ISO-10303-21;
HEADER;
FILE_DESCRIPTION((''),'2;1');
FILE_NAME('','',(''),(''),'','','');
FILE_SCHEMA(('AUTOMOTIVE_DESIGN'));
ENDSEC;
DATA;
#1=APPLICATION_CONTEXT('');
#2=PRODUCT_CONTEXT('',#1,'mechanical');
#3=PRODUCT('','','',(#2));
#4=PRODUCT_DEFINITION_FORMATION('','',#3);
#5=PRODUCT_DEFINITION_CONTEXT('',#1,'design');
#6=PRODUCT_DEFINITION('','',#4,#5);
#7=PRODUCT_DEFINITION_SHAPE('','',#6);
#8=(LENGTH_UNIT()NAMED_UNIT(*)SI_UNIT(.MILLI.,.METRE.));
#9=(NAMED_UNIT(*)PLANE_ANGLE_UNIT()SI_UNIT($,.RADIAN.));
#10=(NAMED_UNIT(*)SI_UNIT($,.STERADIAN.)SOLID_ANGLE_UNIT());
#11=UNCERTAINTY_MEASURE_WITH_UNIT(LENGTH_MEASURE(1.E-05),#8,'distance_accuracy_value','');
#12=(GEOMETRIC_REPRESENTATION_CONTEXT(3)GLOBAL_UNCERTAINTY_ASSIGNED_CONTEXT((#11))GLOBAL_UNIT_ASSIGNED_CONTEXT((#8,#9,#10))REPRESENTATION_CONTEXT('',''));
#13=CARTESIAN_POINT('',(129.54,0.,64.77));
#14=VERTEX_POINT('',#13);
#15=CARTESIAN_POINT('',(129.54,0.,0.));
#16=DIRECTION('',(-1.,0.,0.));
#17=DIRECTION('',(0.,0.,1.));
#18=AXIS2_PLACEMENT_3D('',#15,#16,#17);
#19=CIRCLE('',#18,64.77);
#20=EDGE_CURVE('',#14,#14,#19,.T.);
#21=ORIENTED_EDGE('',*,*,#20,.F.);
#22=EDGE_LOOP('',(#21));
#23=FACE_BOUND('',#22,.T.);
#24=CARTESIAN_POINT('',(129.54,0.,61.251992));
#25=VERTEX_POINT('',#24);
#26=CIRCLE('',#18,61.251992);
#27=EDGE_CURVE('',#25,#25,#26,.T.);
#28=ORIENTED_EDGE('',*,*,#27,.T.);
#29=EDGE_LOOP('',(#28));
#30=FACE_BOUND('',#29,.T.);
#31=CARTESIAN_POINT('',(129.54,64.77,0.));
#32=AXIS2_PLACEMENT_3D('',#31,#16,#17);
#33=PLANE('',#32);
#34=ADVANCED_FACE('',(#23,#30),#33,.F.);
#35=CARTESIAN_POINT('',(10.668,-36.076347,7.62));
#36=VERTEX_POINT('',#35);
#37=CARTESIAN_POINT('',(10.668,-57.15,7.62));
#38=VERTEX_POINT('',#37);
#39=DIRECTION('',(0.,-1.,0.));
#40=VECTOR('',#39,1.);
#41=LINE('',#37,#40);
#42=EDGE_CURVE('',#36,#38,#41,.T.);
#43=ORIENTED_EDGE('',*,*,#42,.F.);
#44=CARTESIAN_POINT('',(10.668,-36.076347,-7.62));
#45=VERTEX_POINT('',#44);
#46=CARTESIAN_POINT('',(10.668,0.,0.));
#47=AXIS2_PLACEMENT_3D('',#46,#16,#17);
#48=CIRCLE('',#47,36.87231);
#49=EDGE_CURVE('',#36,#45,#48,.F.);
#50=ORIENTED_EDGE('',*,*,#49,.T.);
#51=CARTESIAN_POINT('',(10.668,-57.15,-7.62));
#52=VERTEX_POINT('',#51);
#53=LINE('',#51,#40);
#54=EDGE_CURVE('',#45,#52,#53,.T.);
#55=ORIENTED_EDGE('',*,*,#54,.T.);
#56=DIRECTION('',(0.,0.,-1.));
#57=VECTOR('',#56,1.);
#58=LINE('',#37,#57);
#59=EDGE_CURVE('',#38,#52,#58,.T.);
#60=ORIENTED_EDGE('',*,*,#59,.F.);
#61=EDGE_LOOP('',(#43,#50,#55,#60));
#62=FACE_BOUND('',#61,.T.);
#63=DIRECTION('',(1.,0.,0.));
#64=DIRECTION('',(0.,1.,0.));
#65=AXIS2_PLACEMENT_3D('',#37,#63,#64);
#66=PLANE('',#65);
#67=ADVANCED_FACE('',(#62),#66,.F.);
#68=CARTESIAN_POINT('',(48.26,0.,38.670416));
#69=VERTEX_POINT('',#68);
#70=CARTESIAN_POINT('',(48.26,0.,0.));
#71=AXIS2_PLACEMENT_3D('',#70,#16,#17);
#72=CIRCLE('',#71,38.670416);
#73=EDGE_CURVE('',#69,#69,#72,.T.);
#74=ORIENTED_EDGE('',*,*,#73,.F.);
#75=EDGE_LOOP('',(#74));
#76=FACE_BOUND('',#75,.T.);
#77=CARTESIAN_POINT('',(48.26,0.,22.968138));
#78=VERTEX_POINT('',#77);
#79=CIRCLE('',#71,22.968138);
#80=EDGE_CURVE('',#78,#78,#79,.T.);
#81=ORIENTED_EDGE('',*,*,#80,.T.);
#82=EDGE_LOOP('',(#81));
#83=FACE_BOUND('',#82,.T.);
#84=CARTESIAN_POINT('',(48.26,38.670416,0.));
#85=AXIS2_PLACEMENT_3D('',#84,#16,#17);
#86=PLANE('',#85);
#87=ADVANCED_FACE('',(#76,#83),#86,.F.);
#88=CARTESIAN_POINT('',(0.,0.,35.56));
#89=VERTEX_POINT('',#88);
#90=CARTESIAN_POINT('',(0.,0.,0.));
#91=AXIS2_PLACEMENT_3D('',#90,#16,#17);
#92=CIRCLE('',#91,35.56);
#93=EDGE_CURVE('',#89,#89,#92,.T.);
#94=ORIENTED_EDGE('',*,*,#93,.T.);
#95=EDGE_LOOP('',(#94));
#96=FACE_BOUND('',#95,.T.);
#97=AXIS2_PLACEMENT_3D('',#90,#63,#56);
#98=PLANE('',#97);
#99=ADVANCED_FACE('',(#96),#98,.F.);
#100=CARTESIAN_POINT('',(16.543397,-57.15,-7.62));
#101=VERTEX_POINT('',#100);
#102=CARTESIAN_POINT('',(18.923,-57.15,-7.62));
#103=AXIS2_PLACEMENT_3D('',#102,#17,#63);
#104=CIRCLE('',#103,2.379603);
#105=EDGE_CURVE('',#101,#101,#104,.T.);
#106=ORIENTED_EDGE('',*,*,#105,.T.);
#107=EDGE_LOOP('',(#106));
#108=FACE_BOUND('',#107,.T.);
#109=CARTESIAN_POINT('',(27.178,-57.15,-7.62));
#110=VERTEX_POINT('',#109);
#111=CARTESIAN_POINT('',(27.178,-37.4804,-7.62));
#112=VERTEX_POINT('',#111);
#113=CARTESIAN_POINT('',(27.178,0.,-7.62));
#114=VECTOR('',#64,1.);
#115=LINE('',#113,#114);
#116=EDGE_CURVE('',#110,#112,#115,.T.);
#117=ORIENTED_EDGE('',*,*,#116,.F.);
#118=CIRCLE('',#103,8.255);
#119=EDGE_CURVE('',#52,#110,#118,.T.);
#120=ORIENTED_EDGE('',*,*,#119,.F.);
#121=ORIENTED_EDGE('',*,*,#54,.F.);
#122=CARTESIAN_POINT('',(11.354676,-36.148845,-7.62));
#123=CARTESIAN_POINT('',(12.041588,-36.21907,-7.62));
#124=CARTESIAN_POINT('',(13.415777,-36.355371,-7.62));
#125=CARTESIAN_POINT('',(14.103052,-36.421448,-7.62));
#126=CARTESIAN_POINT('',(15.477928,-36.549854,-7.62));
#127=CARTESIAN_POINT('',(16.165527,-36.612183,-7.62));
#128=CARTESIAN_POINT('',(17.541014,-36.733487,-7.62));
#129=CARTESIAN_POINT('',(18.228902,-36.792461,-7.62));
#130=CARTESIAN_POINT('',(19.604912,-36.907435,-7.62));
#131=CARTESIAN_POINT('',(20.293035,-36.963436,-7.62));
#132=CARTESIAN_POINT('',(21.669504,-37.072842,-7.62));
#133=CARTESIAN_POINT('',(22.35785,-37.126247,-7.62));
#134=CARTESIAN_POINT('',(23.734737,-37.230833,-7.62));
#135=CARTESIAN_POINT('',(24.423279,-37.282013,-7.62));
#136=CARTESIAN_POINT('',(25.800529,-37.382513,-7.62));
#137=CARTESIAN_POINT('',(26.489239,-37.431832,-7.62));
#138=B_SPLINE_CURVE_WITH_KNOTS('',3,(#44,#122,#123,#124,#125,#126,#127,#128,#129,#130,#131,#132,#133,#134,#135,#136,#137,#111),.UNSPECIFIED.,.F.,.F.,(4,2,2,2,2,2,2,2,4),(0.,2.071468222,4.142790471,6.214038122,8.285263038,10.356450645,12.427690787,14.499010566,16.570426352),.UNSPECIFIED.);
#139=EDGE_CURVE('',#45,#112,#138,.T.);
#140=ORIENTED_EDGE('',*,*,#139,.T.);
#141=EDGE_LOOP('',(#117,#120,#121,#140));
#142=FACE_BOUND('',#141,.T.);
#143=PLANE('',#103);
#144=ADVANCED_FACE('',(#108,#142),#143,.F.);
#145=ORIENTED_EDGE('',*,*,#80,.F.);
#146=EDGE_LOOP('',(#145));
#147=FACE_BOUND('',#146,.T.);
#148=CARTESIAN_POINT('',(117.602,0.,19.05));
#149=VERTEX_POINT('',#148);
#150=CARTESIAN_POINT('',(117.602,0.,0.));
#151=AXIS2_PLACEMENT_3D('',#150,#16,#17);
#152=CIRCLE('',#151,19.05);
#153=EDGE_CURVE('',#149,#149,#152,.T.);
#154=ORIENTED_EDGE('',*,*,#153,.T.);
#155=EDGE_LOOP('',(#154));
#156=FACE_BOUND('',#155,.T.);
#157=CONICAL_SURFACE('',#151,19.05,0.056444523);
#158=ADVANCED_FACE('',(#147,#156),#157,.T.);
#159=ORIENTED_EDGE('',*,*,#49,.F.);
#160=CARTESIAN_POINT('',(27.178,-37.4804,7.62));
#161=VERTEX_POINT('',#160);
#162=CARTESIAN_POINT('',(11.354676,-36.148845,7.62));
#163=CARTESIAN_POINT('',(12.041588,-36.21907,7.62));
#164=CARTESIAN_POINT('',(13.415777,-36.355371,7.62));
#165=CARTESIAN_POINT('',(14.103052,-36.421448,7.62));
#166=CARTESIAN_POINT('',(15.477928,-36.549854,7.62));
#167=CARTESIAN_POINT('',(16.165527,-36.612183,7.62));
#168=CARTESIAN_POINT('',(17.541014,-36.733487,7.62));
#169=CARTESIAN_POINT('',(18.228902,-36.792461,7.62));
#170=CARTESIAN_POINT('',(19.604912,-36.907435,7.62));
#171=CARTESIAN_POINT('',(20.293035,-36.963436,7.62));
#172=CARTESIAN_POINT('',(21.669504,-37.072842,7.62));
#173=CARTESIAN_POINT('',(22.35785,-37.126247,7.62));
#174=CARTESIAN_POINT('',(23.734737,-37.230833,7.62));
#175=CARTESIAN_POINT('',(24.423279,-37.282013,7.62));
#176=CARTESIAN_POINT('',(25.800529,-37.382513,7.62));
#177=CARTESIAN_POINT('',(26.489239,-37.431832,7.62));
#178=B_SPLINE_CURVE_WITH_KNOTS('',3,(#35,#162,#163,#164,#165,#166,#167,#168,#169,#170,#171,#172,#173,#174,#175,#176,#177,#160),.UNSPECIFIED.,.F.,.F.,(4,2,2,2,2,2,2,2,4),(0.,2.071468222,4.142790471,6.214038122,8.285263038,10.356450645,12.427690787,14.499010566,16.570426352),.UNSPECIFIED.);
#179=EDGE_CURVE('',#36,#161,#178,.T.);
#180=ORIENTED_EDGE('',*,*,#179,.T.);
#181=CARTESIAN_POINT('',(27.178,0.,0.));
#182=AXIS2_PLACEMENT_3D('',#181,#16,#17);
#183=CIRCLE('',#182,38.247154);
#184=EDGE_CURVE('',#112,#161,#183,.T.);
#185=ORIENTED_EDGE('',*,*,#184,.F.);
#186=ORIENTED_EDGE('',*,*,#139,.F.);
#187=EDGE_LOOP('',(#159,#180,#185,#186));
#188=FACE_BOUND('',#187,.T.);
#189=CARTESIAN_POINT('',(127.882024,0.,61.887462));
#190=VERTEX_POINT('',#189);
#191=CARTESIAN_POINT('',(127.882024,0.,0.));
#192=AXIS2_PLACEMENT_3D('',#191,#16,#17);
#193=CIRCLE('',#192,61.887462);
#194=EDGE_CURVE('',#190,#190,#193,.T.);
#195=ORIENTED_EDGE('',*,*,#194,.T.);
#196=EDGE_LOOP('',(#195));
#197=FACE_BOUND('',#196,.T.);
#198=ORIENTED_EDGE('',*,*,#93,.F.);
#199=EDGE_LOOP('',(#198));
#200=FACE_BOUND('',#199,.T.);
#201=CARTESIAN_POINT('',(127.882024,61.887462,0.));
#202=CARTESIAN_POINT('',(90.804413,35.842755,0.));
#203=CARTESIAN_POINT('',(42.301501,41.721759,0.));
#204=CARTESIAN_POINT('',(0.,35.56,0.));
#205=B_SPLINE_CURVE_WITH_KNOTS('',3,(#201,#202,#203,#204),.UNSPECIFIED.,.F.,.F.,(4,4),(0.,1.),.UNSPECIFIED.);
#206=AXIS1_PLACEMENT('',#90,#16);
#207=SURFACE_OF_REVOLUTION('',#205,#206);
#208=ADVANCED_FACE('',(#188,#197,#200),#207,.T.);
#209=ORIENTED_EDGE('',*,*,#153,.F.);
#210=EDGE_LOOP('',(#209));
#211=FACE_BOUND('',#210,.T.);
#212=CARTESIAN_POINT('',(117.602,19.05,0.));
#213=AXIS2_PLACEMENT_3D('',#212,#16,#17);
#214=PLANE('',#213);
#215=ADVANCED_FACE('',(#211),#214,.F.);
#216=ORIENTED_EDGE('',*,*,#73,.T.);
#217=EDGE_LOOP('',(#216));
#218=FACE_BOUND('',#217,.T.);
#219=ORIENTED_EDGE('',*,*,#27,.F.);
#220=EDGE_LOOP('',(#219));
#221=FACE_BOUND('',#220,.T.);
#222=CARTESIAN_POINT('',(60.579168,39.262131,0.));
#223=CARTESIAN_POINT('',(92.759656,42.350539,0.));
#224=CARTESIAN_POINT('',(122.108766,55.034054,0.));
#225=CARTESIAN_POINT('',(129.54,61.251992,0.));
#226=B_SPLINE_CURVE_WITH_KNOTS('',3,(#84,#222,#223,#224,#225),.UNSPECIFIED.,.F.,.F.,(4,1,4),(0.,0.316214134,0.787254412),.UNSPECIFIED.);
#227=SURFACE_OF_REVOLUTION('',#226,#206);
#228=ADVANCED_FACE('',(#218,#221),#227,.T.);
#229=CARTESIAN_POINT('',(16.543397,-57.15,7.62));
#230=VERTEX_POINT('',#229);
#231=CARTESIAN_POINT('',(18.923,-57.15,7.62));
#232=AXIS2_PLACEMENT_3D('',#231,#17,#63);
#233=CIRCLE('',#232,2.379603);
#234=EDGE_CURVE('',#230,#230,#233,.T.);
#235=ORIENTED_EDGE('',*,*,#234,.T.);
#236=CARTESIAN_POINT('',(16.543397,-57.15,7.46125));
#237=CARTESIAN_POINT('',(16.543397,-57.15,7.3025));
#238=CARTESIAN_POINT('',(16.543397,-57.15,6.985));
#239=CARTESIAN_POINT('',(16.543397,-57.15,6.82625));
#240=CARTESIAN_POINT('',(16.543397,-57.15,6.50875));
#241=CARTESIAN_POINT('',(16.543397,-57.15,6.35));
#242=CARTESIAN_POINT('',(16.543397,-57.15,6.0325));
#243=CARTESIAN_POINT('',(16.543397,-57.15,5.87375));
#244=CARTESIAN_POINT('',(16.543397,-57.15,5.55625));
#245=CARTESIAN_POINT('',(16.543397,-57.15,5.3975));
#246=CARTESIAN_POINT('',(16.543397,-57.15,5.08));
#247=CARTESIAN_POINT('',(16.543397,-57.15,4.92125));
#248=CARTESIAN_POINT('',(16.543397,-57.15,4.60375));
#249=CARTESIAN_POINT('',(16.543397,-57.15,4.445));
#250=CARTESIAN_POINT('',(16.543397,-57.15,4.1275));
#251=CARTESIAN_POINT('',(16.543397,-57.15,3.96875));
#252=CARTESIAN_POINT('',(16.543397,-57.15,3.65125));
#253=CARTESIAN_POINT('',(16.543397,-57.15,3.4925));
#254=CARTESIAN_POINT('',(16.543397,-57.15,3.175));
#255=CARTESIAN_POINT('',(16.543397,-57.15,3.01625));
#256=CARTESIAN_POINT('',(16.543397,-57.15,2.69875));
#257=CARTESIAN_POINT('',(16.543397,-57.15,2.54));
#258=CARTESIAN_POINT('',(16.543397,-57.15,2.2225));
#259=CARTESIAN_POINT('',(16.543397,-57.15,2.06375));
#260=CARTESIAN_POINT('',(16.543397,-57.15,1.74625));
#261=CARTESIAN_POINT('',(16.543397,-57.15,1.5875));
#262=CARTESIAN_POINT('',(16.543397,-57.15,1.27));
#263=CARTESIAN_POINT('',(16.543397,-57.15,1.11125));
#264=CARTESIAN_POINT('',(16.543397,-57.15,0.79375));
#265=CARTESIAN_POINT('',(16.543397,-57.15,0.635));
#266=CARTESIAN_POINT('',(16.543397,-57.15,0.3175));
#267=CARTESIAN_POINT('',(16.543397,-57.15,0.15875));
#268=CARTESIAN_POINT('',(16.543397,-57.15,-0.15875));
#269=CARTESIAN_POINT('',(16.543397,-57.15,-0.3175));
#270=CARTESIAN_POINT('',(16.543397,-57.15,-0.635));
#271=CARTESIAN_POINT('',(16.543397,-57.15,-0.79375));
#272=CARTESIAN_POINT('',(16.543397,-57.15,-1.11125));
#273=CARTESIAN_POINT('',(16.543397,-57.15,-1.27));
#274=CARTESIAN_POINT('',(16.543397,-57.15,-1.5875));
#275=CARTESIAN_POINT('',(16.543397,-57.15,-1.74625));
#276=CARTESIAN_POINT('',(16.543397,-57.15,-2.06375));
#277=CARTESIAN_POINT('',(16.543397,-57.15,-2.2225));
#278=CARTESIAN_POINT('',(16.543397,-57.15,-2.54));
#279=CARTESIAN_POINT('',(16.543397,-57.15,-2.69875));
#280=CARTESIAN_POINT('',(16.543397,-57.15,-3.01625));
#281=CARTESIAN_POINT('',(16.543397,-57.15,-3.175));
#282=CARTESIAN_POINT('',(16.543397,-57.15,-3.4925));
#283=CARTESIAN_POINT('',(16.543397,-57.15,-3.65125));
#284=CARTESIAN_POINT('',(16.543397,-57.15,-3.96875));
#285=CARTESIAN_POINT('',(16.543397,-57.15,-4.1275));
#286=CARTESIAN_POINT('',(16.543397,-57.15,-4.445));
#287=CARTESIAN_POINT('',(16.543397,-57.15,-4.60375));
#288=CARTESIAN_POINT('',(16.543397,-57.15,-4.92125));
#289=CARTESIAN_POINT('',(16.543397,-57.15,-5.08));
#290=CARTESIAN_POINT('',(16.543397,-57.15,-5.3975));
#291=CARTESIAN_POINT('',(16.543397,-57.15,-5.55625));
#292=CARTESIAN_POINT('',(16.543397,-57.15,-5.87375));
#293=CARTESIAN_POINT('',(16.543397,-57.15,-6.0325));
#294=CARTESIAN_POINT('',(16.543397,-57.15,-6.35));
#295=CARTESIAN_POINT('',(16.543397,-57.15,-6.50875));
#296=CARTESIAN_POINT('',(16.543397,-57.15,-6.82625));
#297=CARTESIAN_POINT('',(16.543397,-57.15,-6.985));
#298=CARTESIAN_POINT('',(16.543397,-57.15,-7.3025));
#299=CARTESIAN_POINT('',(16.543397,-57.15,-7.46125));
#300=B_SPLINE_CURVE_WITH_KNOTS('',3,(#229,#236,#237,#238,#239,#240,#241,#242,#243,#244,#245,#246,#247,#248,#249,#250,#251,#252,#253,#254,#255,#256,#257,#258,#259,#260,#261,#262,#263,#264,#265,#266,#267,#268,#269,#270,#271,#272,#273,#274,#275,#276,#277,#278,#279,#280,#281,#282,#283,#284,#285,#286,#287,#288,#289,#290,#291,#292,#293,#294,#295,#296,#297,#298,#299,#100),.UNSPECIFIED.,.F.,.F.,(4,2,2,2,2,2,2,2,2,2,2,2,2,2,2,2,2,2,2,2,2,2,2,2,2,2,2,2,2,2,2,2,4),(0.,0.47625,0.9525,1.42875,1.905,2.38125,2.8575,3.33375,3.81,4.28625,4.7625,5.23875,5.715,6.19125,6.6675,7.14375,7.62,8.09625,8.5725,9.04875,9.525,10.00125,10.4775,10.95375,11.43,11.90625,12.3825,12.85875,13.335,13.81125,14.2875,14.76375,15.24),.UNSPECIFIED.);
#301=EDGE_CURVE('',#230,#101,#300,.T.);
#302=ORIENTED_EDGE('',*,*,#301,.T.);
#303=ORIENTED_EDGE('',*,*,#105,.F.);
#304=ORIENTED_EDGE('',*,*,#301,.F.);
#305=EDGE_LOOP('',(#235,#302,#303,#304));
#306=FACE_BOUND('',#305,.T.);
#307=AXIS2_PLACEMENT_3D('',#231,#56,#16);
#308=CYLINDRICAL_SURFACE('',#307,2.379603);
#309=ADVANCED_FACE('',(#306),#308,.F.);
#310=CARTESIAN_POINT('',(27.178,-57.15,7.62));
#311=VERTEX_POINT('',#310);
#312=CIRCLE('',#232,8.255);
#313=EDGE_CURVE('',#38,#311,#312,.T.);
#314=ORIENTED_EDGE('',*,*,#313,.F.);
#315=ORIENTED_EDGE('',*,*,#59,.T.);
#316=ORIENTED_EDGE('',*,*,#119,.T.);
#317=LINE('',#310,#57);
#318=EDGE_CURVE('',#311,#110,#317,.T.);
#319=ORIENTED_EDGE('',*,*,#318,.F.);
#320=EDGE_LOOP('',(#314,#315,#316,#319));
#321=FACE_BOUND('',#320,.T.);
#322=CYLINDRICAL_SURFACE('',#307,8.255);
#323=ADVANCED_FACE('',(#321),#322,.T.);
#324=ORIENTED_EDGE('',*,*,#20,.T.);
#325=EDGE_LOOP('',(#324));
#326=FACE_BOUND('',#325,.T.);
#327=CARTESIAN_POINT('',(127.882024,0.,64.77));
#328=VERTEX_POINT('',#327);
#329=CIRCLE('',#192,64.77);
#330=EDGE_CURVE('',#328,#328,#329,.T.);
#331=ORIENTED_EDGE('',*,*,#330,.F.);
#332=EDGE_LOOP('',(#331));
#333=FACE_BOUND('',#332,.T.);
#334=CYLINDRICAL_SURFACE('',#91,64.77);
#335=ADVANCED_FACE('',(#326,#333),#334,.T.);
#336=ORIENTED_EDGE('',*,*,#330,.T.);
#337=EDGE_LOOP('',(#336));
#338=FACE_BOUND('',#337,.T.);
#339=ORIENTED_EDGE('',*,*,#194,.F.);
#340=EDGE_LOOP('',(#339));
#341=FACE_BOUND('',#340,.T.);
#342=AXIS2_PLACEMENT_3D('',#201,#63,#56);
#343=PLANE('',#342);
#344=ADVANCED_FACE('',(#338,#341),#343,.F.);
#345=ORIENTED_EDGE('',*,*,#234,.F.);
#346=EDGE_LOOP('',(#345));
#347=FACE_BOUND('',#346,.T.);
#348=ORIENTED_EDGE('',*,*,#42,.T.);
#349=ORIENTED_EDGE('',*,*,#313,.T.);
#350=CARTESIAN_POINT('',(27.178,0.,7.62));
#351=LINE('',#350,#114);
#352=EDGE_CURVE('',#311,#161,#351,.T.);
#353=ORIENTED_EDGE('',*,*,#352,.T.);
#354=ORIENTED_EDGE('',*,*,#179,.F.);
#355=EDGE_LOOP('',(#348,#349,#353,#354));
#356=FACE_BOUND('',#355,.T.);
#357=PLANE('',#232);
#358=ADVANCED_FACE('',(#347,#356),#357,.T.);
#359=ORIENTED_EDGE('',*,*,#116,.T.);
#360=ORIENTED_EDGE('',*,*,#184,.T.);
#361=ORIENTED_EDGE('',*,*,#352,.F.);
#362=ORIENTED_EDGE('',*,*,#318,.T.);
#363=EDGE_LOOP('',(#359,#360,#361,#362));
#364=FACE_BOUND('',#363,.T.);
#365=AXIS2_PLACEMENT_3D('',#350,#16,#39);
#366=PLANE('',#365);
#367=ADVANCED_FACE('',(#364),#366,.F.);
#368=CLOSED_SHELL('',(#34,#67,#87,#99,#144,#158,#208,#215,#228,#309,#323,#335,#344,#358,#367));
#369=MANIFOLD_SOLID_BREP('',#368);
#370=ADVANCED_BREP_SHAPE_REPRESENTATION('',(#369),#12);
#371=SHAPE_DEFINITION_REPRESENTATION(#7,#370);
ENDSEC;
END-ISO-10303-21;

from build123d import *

# Parameters (mm, degrees)
SKETCH2_R           = 2.379603086
BOSS_EXTRUDE1_DEPTH = 7.62


with BuildPart() as part:
    # Sketch1 → Revolve1 (revolve)
    with BuildSketch(Plane.XY, mode=Mode.PRIVATE) as revolve1_sk:
        with BuildLine():
            Line((0, 0), (0, 35.56))
            add(Edge.make_bspline(
                [(0, 35.56), (42.301500734, 41.721758618), (90.804413229, 35.842754911), (127.882024274, 61.887461876)],
                knots=[0, 0, 0, 0, 1, 1, 1, 1], degree=3))
            Line((127.882024274, 61.887461876), (127.882024274, 64.77))
            Line((127.882024274, 64.77), (129.54, 64.77))
            Line((129.54, 64.77), (129.54, 61.251991837))
            add(Edge.make_bspline(
                [(129.54, 61.251991837), (122.108766376, 55.034053504), (92.759656323, 42.350538828), (60.579168052, 39.262131274), (48.26, 38.670416418)],
                knots=[0, 0, 0, 0, 0.471040278, 0.787254412, 0.787254412, 0.787254412, 0.787254412], degree=3))
            Line((48.26, 38.670416418), (48.26, 22.968138033))
            Line((48.26, 22.968138033), (117.602, 19.05))
            Line((117.602, 19.05), (117.602, 0))
            Line((117.602, 0), (0, 0))
        make_face()
    revolve(revolve1_sk.sketch.rotate(Axis((0, 0, 0), (1, 0, 0)), 90), axis=Axis((0, 0, 0), (1, 0, 0)))

    # Sketch2 → Boss-Extrude1 (add, symmetric)
    with BuildSketch(Plane.XY):
        with BuildLine():
            Line((10.668, -57.15), (10.668, 0))
            Line((10.668, 0), (27.178, 0))
            Line((27.178, 0), (27.178, -57.15))
            ThreePointArc((27.178, -57.15), (18.923, -65.405), (10.668, -57.15))
        make_face()
        with Locations(Location((18.923, -57.15, 0), (0, 0, 180))):
            Circle(SKETCH2_R, mode=Mode.SUBTRACT)
    extrude(amount=BOSS_EXTRUDE1_DEPTH, both=True)


solid = part.part
